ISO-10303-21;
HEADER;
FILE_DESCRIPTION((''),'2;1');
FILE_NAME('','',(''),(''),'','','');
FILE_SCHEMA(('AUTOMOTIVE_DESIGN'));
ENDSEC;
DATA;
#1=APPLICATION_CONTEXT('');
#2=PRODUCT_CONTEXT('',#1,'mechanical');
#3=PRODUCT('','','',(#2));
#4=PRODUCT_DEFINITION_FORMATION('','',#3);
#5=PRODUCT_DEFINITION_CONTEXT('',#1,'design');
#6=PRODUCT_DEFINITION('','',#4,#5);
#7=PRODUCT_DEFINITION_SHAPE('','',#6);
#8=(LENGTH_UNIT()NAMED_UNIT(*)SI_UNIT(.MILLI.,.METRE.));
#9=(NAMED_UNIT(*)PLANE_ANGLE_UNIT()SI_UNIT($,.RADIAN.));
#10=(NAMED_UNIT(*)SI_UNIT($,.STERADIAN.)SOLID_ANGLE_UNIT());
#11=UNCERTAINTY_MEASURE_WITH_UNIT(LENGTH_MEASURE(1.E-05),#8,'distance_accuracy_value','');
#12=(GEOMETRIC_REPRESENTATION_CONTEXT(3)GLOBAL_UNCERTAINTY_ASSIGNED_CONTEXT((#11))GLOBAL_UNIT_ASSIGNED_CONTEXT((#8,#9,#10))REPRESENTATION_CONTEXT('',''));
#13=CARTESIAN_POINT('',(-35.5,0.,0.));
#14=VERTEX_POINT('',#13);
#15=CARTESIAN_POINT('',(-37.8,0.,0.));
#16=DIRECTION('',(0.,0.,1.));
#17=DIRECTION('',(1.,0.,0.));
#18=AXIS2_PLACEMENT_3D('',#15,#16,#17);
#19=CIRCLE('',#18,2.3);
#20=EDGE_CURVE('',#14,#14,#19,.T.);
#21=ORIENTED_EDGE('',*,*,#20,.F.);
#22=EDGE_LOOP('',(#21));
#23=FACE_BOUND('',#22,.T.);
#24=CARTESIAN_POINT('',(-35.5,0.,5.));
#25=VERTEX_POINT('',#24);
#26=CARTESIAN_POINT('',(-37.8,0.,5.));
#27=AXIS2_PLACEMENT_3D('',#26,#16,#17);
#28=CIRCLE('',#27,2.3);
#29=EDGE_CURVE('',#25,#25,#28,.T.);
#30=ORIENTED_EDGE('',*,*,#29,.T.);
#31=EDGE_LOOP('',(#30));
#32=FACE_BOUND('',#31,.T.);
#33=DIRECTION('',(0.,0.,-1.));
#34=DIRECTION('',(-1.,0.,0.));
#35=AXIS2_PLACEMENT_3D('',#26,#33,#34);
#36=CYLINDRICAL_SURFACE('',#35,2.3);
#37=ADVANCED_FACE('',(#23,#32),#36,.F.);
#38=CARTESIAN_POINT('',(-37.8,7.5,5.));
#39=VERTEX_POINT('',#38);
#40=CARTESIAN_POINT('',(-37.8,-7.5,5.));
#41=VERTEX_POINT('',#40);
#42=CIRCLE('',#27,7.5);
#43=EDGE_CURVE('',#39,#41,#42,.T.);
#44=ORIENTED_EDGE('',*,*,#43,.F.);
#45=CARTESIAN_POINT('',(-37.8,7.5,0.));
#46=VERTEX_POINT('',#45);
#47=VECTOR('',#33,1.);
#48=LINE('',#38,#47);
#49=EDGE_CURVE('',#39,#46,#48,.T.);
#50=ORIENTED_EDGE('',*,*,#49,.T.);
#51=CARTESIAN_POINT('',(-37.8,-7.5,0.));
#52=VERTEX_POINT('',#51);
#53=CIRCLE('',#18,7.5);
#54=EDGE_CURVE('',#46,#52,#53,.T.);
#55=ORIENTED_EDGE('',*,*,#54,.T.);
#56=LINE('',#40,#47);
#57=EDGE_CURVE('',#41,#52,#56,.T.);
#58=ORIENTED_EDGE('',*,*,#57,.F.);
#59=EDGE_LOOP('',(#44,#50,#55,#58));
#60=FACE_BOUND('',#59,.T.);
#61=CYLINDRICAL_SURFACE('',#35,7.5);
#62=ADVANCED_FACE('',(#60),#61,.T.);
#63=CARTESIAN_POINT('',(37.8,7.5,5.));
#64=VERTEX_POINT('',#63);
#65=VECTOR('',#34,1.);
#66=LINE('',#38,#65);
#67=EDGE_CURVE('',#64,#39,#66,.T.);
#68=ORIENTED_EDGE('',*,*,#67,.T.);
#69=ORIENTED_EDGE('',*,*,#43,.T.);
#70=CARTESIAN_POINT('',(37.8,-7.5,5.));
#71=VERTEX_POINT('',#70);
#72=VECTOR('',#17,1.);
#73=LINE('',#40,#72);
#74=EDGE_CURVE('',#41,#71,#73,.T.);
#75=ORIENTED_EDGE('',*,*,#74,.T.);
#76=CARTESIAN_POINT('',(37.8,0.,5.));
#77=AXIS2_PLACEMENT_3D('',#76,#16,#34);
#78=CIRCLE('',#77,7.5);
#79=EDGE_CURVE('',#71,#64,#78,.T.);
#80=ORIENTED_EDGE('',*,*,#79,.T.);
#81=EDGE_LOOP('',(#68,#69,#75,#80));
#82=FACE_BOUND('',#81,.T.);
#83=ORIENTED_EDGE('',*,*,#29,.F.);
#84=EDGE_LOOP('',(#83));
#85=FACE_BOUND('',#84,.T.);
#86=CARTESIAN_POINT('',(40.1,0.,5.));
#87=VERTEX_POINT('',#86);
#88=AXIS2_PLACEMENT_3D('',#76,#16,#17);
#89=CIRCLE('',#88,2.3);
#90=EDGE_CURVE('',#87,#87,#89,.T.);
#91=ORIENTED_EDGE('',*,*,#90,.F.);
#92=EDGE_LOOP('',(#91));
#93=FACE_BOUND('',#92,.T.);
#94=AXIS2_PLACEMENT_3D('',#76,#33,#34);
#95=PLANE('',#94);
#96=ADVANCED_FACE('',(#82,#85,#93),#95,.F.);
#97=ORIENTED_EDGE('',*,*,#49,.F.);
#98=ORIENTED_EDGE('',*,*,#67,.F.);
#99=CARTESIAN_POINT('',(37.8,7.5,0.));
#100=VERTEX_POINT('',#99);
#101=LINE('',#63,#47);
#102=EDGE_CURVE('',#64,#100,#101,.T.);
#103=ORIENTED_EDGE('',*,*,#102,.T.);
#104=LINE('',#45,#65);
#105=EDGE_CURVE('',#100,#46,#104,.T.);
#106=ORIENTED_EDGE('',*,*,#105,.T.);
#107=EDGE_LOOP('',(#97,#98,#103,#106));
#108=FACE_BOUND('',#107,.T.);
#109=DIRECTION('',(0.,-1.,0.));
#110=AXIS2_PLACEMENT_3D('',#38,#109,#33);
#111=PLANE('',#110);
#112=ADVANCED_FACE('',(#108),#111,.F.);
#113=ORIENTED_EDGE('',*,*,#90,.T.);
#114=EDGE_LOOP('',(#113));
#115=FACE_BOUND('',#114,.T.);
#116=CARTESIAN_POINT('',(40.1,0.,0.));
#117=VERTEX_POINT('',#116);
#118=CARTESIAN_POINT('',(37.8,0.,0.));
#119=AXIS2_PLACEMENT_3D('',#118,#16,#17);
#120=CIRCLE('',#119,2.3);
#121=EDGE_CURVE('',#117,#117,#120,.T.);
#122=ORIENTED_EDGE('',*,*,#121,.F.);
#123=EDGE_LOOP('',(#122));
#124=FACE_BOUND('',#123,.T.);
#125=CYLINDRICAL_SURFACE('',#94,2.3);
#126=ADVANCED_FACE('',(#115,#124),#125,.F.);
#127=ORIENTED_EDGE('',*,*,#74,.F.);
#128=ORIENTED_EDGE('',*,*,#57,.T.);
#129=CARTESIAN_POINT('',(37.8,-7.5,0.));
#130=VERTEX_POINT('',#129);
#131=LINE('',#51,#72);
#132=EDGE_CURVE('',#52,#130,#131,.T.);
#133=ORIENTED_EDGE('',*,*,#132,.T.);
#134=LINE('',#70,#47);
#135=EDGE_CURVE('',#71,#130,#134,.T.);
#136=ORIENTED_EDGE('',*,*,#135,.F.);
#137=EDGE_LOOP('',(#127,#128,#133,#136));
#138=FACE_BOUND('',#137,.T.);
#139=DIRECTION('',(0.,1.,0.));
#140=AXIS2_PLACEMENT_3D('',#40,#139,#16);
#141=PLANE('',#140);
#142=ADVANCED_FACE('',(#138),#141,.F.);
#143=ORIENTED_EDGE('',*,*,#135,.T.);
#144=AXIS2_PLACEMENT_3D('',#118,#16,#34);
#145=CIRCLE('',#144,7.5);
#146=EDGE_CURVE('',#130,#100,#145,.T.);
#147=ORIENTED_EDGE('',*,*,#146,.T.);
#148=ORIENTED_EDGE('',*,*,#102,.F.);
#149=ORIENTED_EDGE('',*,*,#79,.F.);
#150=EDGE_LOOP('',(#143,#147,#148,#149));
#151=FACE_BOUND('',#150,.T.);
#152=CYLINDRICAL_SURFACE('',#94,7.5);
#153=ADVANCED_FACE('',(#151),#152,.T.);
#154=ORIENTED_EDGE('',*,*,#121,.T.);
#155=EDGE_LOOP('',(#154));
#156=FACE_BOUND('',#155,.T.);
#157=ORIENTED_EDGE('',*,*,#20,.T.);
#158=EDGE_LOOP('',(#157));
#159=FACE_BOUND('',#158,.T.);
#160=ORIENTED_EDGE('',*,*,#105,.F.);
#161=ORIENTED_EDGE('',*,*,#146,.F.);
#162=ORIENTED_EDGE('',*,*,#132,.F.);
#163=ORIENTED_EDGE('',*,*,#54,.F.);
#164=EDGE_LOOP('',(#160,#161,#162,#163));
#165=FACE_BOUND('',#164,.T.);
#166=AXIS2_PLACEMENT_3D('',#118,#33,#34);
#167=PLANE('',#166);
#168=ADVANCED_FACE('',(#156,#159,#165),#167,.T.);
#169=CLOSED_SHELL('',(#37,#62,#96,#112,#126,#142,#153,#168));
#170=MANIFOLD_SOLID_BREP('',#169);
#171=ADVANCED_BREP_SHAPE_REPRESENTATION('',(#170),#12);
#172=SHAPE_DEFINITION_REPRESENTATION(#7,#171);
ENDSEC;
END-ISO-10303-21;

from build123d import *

# Parameters (mm, degrees)
SKETCH_1_R      = 2.3
EXTRUDE_1_DEPTH = 5


with BuildPart() as part:
    # 草图1 → 凸台-拉伸1 (new body)
    with BuildSketch(Plane.XY):
        with BuildLine():
            Line((-37.8, 7.5), (37.8, 7.5))
            ThreePointArc((37.8, 7.5), (45.3, 0), (37.8, -7.5))
            Line((37.8, -7.5), (-37.8, -7.5))
            ThreePointArc((-37.8, -7.5), (-45.3, 0), (-37.8, 7.5))
        make_face()
        with Locations((-37.8, 0)):
            Circle(SKETCH_1_R, mode=Mode.SUBTRACT)
        with Locations((37.8, 0)):
            Circle(SKETCH_1_R, mode=Mode.SUBTRACT)
    extrude(amount=EXTRUDE_1_DEPTH)


solid = part.part
